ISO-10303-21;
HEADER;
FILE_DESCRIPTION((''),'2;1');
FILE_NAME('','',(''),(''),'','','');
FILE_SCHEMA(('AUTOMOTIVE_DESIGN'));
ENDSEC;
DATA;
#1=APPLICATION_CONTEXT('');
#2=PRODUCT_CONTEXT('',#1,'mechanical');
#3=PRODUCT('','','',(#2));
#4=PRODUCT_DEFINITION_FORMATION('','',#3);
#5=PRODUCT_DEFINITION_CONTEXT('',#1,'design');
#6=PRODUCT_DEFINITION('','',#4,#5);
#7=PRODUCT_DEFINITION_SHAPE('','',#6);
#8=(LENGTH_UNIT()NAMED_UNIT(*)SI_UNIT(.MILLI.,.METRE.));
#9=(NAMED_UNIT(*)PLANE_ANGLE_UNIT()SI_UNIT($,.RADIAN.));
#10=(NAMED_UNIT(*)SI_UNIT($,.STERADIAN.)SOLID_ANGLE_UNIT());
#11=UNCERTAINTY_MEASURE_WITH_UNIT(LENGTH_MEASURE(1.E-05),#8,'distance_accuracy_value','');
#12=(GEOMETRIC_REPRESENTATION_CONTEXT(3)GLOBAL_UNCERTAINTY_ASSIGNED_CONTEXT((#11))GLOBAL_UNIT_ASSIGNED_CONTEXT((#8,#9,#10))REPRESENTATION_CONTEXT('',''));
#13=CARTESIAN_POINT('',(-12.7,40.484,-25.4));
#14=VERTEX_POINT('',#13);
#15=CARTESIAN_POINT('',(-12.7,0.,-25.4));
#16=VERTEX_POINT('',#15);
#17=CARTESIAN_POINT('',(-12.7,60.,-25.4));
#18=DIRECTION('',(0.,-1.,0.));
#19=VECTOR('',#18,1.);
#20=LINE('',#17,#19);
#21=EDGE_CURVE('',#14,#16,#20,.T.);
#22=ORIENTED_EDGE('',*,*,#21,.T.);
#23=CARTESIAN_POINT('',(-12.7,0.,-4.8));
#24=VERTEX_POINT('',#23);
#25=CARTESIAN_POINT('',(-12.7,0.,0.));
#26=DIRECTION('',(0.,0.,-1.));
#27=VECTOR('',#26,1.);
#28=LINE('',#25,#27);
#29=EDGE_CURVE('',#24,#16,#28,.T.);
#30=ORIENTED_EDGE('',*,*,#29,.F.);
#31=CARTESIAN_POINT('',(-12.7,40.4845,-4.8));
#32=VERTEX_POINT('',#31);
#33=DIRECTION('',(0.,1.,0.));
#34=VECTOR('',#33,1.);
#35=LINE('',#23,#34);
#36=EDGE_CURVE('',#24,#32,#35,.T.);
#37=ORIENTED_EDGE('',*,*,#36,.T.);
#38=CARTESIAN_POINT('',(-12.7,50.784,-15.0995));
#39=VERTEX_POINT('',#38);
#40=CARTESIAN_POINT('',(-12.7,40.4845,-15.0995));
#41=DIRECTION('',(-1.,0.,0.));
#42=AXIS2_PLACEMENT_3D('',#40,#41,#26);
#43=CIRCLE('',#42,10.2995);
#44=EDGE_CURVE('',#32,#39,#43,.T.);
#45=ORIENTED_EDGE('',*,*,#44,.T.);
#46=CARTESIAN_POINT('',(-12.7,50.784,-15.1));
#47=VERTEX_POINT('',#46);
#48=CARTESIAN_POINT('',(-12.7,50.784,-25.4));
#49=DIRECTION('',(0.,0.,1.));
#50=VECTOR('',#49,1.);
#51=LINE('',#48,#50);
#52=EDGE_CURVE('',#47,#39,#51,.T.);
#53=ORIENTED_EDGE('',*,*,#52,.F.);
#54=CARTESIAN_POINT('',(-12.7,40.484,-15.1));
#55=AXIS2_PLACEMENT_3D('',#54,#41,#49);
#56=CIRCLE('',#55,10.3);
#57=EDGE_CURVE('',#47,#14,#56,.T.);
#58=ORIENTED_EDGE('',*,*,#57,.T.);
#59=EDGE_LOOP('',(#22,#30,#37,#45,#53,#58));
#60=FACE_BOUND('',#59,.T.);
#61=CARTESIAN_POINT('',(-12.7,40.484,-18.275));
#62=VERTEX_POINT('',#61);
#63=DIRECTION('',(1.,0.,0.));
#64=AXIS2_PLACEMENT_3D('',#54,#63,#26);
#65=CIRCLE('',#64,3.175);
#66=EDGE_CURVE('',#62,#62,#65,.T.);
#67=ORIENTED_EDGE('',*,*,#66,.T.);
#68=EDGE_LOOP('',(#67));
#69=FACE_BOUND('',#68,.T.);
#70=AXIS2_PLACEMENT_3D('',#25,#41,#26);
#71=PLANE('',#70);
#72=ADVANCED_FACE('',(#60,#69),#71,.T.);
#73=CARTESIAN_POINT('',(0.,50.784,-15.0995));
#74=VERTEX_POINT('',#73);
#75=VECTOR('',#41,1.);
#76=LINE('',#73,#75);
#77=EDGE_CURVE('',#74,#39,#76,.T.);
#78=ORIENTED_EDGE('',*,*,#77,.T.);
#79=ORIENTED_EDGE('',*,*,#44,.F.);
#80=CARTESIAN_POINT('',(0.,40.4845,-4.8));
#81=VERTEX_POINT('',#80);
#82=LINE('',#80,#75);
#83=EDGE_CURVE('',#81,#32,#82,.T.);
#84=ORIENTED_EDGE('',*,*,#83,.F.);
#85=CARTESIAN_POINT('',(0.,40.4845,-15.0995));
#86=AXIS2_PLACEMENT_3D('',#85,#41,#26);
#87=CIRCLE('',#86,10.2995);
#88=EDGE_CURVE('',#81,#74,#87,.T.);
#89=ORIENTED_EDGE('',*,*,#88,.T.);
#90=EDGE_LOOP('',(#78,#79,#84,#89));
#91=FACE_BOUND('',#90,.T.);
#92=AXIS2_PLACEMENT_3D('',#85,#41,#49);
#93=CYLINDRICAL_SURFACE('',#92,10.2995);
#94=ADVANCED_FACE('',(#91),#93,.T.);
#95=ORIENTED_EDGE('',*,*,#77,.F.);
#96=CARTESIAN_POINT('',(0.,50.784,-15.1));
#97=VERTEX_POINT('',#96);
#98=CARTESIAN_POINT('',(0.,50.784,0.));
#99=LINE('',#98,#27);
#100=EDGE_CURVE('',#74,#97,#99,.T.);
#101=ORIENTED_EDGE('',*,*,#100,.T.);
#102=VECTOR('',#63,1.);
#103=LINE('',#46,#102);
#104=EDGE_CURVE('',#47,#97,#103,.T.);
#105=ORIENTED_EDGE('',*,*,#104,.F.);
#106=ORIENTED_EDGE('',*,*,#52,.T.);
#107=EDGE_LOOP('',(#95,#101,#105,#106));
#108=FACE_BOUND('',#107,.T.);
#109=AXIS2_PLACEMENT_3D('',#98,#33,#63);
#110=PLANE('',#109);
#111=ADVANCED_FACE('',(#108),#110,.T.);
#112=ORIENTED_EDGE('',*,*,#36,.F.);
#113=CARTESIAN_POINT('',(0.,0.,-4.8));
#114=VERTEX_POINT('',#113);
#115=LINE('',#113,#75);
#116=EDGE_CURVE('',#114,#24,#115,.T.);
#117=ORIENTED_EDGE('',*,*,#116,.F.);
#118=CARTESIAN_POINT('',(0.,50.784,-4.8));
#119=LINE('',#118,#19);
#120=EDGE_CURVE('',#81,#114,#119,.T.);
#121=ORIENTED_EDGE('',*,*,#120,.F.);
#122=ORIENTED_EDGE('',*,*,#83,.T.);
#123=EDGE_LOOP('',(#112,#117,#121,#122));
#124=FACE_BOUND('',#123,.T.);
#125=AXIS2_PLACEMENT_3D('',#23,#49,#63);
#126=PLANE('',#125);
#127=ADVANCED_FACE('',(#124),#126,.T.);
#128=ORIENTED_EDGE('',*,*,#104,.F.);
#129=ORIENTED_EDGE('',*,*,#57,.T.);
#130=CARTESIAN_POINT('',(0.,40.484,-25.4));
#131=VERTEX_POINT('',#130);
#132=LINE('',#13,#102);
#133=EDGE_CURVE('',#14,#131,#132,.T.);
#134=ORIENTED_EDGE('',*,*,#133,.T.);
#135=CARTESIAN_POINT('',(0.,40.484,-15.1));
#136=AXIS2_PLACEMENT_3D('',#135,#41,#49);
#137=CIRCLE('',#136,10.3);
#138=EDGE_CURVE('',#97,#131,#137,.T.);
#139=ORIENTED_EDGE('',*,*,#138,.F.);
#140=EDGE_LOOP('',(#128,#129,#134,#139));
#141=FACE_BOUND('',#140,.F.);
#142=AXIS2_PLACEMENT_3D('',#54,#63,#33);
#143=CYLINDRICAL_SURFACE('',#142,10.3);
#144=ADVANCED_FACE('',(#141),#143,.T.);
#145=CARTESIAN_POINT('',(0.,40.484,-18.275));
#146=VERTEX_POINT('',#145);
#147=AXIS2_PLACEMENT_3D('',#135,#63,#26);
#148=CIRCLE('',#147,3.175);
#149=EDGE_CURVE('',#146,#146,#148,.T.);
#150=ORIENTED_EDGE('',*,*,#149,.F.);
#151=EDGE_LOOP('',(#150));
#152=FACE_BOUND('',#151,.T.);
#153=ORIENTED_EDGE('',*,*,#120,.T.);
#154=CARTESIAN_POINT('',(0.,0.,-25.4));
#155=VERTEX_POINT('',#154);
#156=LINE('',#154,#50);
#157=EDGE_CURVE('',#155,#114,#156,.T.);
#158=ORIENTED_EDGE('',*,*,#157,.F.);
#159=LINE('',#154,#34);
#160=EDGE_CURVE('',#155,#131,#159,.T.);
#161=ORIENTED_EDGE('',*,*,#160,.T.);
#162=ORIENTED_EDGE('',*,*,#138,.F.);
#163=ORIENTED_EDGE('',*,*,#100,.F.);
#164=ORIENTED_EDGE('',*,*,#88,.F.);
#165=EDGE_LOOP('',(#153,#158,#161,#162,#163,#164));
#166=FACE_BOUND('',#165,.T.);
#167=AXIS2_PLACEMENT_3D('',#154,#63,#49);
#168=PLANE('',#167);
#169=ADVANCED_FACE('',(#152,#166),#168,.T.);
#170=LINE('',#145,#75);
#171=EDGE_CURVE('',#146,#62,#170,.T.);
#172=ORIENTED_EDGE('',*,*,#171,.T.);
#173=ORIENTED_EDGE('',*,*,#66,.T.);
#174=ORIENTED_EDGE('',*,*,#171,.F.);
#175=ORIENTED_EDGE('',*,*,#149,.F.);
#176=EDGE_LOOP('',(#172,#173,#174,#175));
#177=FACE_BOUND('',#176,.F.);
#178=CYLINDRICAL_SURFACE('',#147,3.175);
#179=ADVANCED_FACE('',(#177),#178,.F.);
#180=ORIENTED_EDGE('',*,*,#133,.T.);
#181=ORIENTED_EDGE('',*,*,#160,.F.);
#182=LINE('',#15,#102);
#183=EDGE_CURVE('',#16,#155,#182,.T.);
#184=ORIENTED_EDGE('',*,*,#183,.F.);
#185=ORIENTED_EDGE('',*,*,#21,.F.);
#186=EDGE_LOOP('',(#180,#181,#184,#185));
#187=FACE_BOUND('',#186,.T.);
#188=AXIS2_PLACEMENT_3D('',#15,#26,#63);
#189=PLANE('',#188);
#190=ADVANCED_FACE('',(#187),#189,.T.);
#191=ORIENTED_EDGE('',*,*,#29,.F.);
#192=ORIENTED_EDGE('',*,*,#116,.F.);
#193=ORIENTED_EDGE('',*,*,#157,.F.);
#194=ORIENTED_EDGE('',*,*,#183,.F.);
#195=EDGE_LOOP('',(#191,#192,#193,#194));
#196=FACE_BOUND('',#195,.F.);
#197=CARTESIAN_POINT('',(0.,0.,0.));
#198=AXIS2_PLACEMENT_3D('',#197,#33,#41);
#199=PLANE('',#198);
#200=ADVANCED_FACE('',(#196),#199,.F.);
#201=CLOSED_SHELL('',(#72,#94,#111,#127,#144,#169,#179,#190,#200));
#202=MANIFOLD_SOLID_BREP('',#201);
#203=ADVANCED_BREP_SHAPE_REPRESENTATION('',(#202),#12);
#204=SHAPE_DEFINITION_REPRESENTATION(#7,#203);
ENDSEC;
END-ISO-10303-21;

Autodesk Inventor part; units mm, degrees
ref_plane "YZ Plane" through (0, 0, 0) normal (1, 0, 0) x (0, 1, 0)
ref_plane "XZ Plane" through (0, 0, 0) normal (0, 1, 0) x (-1, 0, 0)
ref_plane "XY Plane" through (0, 0, 0) normal (0, 0, 1) x (1, 0, 0)
sketch "Sketch1" plane through (0, 0, 0) normal (0, 1, 0) x (-1, 0, 0)
  line L0 (0, 0) -> (12.7, 0)
  line L1 (12.7, 0) -> (12.7, -25.4)
  line L2 (12.7, -25.4) -> (0, -25.4)
  line L3 (0, -25.4) -> (0, 0)
  dimension "d1" = 25.4
  dimension "d2" = 12.7
extrude "Extrusion1" add sketch "Sketch1" along normal blind 45
sketch "Sketch7" plane through (0, 45, 0) normal (0, 1, 0) x (1, 0, 0)
  line L0 (-12.7, 0) -> (0, 0) projected
  line L1 (-12.7, 25.4) -> (-12.7, 0) projected
  line L2 (0, 0) -> (-12.7, 0)
  line L3 (-12.7, 0) -> (-12.7, 25.4)
  line L4 (-12.7, 25.4) -> (0, 25.4)
  line L5 (0, 25.4) -> (0, 0)
extrude "Extrusion6" add sketch "Sketch7" along normal blind 15
sketch "Sketch12" plane through (0, 60, 0) normal (0, 1, 0) x (1, 0, 0)
  line L0 (0, 0) -> (0, 25.4) projected
  line L1 (-12.7, 25.4) -> (-12.7, 0) projected
  line L2 (0, 4.8) -> (-12.7, 4.8)
  line L3 (-12.7, 4.8) -> (-12.7, 25.4)
  line L4 (-12.7, 25.4) -> (0, 25.4)
  line L5 (0, 25.4) -> (0, 4.8)
  point P0 (-12.7, 4.8)
  point P1 (-12.7, 4.8)
extrude "Extrusion11" cut sketch "Sketch12" against normal blind 9.216
fillet "Fillet5" radius 10.3 1 edges at (-6.35, 50.784, -25.4)
sketch "Sketch14" plane through (-12.7, 0, 0) normal (0, 0, 1) x (1, 0, 0)
  line L0 (0, 60) -> (12.7, 60) projected
  line L1 (12.7, 0) -> (12.7, 40.484) projected
  line L2 (0, 60) -> (12.7, 60)
  line L3 (12.7, 60) -> (12.7, 0)
  line L4 (12.7, 0) -> (0, 0)
  line L5 (0, 0) -> (0, 60)
extrude "Extrusion13" cut sketch "Sketch14" against normal blind 4.8
fillet "Fillet6" radius 10.3 1 edges at (-6.35, 50.784, -4.8)
sketch "Sketch18" plane through (0, 0, -25.4) normal (1, 0, 0) x (0, 0, -1)
  arc A0 (0, 40.484) -> (-20.6, 40.484) centre (-10.3, 40.484) ccw projected
  circle A1 centre (-10.3, 40.484) radius 3.175
  point P0 (-25.4, 0)
  dimension "d65" = 6.35
extrude "Extrusion17" cut sketch "Sketch18" against normal through all
properties part number "gear support"
